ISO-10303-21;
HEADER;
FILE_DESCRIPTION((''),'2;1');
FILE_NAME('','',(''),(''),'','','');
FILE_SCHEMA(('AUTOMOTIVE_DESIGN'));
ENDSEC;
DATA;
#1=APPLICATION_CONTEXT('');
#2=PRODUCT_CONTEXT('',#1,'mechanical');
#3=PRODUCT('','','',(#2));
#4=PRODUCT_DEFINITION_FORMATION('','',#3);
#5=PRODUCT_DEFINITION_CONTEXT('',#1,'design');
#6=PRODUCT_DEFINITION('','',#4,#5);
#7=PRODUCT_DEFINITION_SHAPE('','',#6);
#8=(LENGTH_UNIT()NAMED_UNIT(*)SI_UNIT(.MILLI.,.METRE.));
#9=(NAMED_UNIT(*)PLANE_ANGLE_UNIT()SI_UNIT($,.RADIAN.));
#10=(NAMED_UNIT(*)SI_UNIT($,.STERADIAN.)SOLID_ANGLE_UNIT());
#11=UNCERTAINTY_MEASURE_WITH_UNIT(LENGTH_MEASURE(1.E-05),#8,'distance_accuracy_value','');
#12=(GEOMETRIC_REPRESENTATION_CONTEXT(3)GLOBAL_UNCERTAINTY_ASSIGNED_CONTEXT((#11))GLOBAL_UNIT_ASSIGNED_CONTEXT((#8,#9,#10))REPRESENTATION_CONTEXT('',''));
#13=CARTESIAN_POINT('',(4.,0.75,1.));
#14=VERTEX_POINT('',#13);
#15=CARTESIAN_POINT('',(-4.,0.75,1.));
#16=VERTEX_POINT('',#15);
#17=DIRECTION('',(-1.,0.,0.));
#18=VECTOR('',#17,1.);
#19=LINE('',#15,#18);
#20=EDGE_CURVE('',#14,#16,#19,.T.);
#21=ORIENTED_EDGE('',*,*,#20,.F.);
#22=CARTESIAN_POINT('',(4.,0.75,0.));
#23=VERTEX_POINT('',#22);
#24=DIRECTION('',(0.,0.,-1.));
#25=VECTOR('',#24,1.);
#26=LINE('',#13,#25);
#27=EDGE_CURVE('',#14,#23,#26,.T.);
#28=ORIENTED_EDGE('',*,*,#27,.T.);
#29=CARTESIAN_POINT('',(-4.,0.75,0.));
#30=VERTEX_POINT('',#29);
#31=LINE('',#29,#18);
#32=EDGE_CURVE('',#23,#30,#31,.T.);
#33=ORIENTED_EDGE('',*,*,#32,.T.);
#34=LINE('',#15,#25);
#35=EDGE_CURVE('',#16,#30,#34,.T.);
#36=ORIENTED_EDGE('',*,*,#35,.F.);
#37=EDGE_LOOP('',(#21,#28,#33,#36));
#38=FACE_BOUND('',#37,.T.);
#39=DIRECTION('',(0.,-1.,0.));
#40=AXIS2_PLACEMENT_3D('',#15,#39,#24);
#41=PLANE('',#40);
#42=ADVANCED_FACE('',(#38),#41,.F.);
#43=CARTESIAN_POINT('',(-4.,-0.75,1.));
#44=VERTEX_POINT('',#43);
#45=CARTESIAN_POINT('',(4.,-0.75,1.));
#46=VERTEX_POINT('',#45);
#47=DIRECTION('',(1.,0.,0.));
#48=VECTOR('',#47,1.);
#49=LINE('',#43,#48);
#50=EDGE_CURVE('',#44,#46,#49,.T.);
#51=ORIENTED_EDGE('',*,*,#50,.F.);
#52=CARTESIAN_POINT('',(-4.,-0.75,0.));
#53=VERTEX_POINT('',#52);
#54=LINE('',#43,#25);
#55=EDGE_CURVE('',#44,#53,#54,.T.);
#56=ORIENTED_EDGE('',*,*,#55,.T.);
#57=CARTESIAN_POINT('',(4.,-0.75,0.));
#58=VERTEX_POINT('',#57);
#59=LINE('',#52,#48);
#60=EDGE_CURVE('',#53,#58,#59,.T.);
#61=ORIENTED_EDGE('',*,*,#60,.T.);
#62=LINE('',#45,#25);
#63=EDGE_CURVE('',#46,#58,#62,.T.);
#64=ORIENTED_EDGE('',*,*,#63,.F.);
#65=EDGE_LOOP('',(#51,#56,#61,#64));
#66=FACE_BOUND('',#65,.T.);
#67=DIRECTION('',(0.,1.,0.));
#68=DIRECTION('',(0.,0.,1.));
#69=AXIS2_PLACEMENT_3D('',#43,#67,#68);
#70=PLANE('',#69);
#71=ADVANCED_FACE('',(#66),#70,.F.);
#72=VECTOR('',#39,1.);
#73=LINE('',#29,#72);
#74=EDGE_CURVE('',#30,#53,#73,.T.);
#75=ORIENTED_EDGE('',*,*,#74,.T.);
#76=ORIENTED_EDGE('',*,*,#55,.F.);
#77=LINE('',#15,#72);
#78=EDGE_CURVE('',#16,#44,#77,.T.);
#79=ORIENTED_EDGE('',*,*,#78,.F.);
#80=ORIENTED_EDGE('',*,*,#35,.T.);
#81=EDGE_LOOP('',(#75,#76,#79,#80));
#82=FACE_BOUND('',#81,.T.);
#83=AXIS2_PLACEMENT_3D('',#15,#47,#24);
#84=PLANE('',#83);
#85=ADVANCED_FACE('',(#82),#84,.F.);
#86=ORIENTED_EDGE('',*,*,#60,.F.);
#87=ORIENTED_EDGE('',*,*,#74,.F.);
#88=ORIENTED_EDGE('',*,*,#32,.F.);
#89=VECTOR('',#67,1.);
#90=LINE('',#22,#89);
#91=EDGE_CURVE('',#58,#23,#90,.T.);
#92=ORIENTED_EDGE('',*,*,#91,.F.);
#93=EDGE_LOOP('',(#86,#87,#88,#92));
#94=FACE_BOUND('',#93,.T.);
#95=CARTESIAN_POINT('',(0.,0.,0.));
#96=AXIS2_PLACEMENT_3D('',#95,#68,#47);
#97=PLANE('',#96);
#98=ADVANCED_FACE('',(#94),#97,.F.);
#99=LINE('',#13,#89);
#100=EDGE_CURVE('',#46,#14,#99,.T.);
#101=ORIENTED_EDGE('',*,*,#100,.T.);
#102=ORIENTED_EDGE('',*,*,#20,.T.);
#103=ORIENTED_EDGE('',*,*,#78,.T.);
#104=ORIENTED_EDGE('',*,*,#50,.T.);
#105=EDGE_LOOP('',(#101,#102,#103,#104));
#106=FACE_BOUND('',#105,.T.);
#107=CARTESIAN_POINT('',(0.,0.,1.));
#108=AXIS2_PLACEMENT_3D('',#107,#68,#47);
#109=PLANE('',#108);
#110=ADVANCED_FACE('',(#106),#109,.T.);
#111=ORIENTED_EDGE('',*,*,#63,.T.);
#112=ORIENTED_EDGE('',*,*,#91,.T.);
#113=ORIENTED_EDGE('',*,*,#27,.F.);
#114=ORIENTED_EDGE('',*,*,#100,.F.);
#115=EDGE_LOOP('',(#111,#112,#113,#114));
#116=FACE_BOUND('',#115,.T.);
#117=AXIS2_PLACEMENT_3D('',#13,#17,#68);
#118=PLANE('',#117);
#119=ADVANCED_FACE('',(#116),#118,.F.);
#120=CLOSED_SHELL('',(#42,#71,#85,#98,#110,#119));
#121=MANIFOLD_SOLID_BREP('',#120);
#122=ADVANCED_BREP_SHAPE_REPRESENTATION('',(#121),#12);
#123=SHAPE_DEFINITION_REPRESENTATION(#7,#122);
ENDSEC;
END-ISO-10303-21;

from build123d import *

# Parameters (mm, degrees)
SKETCH_1_W      = 8
SKETCH_1_H      = 1.5
EXTRUDE_1_DEPTH = 1


with BuildPart() as part:
    # 草图1 → 凸台-拉伸1 (new body)
    with BuildSketch(Plane.XY):
        Rectangle(SKETCH_1_W, SKETCH_1_H)
    extrude(amount=EXTRUDE_1_DEPTH)


solid = part.part
